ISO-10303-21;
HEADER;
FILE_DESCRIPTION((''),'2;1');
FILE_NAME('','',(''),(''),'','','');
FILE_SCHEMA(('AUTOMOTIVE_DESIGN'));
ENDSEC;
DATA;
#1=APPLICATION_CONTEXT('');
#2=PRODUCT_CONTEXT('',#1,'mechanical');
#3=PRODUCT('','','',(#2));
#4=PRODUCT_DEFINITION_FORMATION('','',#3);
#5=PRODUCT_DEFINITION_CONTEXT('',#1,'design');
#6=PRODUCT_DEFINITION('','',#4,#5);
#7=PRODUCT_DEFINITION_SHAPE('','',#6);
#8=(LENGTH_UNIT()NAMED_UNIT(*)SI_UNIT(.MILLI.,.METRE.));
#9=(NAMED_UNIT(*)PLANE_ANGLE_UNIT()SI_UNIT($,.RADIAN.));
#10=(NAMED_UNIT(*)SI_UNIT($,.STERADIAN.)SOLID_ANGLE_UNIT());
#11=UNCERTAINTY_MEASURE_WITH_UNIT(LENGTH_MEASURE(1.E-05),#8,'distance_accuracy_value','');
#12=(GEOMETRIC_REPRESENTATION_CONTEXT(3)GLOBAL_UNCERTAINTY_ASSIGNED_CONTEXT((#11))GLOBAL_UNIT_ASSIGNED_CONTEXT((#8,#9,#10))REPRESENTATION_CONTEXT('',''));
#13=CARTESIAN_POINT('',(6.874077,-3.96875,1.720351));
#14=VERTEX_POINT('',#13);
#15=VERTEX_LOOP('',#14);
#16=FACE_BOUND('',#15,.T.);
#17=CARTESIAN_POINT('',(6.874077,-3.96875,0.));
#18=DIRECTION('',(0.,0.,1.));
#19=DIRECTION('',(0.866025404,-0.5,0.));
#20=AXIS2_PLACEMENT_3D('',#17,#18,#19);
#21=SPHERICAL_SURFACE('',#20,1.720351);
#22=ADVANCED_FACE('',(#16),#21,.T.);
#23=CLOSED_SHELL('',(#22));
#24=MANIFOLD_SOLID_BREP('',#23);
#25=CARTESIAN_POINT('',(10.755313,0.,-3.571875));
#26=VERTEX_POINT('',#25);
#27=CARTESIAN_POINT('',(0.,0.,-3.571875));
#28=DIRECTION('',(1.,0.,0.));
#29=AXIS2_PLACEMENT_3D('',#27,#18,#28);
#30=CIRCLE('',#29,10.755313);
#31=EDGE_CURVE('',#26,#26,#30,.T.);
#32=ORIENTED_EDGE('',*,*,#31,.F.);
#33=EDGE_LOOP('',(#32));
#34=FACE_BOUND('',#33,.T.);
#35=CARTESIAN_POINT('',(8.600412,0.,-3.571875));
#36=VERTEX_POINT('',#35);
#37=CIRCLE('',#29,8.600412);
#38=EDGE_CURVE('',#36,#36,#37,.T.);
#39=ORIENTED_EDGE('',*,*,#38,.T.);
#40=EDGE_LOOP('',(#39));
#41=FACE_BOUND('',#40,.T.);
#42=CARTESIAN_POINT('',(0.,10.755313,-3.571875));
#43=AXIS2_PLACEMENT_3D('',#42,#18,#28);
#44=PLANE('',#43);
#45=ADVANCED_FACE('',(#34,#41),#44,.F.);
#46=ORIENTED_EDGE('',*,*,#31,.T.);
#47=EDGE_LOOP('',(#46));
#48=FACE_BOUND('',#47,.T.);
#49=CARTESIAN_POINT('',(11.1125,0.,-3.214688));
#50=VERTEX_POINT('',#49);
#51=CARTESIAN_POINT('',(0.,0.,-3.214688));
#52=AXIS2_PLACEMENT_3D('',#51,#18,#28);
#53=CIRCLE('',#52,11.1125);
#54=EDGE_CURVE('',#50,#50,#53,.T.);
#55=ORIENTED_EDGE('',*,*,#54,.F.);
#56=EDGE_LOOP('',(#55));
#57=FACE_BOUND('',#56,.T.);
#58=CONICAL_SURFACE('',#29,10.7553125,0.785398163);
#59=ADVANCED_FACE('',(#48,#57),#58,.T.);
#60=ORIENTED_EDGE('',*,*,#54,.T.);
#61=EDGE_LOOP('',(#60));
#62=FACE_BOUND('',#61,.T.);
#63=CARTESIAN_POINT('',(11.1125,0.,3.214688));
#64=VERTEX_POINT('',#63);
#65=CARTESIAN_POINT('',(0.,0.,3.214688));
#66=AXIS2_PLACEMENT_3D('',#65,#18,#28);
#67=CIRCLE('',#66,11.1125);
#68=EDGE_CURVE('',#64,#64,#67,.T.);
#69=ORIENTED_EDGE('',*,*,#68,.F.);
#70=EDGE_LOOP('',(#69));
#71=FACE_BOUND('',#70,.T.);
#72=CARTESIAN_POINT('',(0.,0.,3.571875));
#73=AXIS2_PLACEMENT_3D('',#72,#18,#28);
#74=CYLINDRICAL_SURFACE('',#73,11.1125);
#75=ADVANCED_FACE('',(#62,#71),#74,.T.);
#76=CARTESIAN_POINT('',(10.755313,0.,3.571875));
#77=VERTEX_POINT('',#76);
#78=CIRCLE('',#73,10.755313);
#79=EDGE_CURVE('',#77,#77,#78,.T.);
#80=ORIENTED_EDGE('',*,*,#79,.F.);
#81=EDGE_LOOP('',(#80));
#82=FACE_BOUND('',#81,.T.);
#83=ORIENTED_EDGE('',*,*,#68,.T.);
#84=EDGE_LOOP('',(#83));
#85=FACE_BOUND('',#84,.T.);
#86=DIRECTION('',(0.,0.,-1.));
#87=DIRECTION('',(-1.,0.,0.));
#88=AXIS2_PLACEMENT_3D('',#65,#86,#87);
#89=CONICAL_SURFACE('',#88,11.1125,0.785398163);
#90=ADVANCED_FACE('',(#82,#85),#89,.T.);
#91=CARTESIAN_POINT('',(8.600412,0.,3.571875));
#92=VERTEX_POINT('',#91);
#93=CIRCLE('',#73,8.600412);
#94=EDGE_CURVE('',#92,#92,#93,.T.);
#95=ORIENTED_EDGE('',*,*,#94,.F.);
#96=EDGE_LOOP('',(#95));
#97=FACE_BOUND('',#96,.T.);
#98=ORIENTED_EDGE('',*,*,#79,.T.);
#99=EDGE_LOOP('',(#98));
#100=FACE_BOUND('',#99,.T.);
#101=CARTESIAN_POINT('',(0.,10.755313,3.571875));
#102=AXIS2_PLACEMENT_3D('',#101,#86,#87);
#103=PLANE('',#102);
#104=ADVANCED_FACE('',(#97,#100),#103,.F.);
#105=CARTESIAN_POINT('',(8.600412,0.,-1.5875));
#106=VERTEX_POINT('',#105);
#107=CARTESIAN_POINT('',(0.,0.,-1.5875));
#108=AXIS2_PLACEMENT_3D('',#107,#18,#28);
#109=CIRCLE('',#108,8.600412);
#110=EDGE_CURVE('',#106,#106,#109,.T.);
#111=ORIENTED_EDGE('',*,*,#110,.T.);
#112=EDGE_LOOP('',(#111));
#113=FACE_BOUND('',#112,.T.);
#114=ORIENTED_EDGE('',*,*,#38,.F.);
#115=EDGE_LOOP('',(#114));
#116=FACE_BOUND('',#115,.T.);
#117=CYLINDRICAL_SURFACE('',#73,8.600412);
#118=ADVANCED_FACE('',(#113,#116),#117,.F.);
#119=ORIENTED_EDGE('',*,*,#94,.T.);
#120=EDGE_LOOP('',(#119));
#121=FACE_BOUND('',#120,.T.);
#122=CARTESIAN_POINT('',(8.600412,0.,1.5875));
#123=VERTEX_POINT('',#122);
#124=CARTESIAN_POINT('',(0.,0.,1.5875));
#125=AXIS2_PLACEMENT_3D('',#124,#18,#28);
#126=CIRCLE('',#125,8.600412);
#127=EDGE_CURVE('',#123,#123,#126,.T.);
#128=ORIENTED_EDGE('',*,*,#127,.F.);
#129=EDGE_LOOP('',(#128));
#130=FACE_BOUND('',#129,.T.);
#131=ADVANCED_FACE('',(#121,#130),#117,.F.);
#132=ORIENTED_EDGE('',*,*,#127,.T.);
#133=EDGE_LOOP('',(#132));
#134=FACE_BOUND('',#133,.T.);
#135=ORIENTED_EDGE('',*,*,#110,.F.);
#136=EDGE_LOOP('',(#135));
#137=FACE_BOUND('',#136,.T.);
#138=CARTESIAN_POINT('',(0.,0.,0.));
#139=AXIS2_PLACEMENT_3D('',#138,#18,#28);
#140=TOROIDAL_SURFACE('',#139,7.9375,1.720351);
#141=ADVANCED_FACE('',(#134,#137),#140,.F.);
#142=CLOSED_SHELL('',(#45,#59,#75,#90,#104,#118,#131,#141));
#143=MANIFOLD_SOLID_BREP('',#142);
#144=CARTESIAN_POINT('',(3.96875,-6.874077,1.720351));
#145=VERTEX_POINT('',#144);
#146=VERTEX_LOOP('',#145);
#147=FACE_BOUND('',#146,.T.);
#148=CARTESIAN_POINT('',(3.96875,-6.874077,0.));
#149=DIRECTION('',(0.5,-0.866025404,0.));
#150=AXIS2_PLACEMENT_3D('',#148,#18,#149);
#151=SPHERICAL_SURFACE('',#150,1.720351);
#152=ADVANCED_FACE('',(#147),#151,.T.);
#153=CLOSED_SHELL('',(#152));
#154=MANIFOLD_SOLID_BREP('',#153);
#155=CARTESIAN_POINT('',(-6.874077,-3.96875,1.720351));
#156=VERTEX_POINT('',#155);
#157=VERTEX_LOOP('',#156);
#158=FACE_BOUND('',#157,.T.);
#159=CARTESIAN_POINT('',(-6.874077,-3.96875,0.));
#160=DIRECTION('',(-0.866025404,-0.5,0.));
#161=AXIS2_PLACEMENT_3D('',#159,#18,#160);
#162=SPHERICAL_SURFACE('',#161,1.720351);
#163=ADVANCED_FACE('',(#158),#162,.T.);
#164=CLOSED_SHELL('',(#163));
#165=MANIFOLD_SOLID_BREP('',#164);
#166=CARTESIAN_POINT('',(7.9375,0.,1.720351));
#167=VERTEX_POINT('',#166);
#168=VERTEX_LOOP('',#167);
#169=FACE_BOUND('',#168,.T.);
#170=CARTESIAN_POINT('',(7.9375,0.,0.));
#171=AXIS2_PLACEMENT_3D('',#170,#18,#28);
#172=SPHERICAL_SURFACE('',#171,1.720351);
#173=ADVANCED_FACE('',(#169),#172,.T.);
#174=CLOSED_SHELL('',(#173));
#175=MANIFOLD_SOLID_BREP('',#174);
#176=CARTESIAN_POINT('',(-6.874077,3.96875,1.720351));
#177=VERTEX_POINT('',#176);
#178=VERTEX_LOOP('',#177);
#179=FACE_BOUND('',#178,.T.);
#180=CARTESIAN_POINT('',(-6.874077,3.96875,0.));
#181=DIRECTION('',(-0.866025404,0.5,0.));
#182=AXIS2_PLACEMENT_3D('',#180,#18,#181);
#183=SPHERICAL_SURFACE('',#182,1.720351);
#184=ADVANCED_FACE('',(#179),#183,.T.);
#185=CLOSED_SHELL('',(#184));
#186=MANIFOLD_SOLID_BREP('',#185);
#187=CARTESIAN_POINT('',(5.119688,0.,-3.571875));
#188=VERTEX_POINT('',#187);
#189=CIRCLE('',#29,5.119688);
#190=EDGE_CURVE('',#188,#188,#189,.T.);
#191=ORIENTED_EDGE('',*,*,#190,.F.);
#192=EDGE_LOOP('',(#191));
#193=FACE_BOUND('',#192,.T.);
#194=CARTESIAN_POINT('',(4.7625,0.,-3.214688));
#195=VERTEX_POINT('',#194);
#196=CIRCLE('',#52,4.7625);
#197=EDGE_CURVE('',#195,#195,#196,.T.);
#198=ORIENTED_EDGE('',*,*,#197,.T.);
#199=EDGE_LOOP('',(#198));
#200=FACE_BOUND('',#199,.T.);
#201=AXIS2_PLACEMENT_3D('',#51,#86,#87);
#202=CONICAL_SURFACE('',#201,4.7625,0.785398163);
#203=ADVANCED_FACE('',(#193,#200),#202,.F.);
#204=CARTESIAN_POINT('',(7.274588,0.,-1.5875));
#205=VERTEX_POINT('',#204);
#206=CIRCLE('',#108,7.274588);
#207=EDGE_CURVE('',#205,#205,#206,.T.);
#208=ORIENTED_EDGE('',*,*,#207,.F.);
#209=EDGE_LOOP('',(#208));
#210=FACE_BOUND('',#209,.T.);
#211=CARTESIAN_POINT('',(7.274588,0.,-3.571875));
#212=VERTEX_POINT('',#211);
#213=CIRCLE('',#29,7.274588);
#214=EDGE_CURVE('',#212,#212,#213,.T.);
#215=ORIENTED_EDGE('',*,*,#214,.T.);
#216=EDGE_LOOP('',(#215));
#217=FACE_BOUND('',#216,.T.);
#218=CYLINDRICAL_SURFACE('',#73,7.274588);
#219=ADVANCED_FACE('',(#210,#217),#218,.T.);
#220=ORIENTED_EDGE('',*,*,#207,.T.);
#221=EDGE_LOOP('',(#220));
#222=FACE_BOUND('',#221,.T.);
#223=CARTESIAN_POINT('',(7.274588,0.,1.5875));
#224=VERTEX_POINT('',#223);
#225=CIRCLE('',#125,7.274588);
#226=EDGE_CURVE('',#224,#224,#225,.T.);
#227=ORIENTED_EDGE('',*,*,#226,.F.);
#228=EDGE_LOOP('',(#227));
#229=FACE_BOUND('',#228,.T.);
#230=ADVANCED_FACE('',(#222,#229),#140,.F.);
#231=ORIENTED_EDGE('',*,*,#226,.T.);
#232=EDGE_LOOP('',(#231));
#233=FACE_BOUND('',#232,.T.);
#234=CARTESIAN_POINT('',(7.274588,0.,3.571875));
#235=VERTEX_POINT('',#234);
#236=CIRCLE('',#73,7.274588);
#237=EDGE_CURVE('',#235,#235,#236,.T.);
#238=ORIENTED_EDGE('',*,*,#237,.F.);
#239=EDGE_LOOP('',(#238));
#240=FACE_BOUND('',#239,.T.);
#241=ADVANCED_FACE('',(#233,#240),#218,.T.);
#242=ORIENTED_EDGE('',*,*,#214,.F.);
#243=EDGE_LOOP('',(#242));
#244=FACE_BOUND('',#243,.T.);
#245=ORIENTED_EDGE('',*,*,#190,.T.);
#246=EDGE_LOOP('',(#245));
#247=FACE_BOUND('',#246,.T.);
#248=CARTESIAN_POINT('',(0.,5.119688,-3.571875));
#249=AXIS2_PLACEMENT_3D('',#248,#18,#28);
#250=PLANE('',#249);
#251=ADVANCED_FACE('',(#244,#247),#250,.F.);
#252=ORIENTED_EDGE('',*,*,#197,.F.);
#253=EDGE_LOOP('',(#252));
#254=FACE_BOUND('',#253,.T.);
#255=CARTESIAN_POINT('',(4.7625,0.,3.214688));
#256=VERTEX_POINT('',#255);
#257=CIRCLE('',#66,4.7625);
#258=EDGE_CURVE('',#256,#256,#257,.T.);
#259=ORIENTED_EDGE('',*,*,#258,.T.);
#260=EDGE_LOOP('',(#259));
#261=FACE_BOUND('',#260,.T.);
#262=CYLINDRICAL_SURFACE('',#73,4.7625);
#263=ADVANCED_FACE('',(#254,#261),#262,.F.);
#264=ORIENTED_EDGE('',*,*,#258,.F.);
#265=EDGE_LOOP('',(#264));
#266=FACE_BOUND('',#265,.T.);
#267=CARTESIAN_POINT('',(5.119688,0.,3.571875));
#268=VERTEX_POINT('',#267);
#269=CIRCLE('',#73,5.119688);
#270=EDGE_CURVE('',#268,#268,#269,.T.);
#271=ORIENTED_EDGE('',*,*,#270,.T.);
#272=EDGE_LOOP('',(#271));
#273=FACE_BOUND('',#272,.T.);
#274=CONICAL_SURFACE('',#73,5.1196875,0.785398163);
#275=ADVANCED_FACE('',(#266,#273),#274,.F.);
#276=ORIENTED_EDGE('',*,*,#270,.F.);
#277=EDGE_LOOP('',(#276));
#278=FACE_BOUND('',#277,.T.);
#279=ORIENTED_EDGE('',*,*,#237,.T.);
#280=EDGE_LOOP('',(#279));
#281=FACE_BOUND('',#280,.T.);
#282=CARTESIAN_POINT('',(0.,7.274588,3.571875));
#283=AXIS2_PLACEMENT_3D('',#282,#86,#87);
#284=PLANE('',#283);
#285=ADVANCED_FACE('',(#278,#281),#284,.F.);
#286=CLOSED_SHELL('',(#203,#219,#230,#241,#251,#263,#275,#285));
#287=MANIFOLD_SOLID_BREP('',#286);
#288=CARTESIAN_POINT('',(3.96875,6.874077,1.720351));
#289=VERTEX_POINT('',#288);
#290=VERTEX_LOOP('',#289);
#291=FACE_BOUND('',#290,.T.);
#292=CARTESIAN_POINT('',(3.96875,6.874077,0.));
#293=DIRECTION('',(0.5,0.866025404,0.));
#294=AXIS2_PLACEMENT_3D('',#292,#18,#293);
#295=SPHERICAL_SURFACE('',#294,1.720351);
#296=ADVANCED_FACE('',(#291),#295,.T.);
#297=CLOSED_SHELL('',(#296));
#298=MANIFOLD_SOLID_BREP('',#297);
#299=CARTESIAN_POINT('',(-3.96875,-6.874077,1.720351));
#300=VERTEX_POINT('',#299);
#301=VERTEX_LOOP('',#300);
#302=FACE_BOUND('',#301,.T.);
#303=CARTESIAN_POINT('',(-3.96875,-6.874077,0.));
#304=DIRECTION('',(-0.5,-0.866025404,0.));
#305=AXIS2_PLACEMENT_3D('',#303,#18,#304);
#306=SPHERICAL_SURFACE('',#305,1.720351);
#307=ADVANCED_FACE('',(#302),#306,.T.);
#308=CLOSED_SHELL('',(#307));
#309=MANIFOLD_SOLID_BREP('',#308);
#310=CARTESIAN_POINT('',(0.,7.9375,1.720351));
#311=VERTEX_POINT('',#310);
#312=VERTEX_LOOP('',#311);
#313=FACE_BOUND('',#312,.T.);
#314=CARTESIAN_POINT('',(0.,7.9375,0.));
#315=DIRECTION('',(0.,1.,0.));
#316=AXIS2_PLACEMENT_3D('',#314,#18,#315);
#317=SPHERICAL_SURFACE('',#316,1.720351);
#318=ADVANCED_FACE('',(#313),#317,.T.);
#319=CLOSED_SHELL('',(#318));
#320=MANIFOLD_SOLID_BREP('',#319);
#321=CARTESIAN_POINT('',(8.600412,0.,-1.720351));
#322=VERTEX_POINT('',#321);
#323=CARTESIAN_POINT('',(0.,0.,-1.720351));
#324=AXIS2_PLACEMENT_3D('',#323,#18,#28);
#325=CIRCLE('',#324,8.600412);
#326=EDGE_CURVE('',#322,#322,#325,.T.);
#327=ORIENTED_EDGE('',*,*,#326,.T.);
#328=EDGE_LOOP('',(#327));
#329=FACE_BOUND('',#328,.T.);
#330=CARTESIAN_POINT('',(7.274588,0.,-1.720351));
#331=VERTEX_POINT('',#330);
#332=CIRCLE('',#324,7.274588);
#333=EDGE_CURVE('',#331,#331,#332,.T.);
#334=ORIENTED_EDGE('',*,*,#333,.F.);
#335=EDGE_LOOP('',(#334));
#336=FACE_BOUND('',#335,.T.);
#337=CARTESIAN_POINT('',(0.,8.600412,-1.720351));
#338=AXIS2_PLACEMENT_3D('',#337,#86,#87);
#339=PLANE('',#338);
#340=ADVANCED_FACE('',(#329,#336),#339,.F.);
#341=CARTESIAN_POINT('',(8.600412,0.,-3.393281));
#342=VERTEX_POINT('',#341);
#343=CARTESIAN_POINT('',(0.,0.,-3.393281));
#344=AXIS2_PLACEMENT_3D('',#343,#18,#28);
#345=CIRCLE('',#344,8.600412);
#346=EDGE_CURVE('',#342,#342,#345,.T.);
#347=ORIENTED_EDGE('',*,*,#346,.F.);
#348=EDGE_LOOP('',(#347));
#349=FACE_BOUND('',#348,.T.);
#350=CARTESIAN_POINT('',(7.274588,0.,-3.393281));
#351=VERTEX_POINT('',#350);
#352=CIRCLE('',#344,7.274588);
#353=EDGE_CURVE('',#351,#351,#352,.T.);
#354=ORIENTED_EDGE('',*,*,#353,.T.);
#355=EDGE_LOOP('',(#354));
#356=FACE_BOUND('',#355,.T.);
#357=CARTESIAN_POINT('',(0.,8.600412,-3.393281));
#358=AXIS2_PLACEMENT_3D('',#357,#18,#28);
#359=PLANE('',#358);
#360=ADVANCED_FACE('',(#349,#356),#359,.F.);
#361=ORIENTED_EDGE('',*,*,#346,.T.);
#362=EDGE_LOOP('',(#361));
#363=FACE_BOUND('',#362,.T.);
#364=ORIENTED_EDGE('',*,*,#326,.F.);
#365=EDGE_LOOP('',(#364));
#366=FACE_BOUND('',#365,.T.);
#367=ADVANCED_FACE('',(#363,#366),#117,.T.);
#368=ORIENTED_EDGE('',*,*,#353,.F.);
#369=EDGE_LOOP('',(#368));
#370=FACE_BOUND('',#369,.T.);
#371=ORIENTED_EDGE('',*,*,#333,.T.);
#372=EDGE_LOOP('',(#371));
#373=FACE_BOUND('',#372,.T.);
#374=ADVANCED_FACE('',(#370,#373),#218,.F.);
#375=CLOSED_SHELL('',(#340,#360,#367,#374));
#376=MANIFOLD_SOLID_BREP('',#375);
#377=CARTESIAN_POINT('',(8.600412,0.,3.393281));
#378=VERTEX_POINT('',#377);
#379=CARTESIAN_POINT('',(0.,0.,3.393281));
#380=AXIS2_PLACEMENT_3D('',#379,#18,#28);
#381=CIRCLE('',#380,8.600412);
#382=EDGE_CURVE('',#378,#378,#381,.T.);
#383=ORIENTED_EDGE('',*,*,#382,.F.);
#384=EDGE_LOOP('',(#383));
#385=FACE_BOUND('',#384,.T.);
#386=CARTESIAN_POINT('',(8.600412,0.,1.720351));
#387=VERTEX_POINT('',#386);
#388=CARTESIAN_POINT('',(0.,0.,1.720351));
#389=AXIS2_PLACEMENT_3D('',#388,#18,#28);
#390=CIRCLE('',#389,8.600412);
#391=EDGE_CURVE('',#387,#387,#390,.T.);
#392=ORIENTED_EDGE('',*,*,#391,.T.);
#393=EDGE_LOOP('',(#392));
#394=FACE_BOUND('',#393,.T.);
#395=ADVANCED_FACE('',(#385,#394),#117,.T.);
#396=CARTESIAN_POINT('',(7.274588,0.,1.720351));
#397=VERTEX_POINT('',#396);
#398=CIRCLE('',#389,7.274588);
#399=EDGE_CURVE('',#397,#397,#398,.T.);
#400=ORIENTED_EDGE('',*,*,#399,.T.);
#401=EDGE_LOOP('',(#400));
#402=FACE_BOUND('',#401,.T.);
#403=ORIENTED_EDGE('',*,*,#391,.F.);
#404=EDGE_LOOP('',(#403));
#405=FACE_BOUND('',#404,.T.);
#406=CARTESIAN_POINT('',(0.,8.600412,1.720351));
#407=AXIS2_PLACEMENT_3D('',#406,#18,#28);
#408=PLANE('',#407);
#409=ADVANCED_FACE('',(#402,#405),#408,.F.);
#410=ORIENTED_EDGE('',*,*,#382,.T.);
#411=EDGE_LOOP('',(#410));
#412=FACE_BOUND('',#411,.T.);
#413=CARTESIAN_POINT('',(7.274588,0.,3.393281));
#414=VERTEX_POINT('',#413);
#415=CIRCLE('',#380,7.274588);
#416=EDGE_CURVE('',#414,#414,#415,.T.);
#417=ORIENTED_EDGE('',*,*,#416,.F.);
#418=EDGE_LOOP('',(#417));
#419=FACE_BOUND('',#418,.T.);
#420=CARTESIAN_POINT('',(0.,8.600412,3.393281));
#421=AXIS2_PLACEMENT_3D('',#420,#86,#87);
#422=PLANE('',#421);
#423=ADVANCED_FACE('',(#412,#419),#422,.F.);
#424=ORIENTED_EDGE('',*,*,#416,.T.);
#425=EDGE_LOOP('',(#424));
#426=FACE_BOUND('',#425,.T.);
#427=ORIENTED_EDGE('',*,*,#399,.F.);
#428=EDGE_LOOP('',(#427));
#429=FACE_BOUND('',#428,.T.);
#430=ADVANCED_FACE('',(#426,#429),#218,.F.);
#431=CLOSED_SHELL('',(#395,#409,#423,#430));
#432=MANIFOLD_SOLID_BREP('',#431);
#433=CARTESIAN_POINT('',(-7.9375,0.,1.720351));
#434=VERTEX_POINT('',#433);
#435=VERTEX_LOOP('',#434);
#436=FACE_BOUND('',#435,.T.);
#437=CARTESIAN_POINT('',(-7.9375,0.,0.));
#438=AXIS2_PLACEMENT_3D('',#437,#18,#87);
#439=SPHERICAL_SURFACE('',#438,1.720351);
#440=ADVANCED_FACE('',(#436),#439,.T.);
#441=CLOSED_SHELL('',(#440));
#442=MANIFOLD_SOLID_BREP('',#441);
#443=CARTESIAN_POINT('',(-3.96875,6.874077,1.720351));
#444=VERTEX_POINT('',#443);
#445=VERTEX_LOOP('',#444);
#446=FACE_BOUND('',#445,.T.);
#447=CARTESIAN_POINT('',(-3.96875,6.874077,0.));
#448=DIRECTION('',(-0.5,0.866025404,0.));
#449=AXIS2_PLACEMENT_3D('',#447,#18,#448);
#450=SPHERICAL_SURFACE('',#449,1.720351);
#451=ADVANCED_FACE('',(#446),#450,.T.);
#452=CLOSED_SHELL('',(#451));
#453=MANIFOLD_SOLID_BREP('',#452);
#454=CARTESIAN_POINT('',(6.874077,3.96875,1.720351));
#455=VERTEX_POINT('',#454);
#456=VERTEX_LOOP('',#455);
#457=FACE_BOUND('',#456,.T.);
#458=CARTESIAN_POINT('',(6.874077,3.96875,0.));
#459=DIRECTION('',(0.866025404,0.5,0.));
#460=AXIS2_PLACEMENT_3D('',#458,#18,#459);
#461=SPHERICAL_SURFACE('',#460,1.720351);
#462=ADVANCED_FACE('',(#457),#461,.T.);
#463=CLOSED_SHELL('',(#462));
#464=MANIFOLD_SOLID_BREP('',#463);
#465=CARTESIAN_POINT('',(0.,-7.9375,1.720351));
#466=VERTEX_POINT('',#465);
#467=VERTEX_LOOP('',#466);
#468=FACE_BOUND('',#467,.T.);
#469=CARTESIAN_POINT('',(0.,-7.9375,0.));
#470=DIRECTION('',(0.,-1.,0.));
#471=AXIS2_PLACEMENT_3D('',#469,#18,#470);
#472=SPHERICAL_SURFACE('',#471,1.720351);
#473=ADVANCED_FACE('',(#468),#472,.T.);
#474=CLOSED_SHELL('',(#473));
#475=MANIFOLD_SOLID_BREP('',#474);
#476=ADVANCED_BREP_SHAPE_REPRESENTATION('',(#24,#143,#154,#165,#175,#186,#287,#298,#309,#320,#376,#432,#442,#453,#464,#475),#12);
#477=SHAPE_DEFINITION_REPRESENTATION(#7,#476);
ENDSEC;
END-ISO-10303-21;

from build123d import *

# Parameters (mm, degrees)
CIRPATTERN1_COUNT = 12
SKETCH5_W         = 1.672929924
SKETCH5_H         = 1.325824176


with BuildPart() as part:
    # Sketch1 → Revolve1 (revolve)
    with BuildSketch(Plane(origin=(0, 0, 0), x_dir=(0, 0, -1), z_dir=(1, 0, 0))):
        with BuildLine():
            Line((3.2146875, 11.1125), (-3.2146875, 11.1125))
            Line((-3.2146875, 11.1125), (-3.571875, 10.7553125))
            Line((-3.571875, 10.7553125), (-3.571875, 8.600412088))
            Line((-3.571875, 8.600412088), (-1.5875, 8.600412088))
            ThreePointArc((-1.5875, 8.600412088), (0, 9.657851326), (1.5875, 8.600412088))
            Line((1.5875, 8.600412088), (3.571875, 8.600412088))
            Line((3.571875, 8.600412088), (3.571875, 10.7553125))
            Line((3.571875, 10.7553125), (3.2146875, 11.1125))
        make_face()
    revolve(axis=Axis((0, 0, 3.571875), (0, 0, -1)))


with BuildPart() as body_2:
    # Sketch3 → Revolve3 (revolve)
    with BuildSketch(Plane(origin=(0, 0, 0), x_dir=(0, 0, -1), z_dir=(1, 0, 0))):
        with BuildLine():
            Line((-3.571875, 7.274587912), (-1.5875, 7.274587912))
            ThreePointArc((-1.5875, 7.274587912), (0, 6.217148674), (1.5875, 7.274587912))
            Line((1.5875, 7.274587912), (3.571875, 7.274587912))
            Line((3.571875, 7.274587912), (3.571875, 5.1196875))
            Line((3.571875, 5.1196875), (3.2146875, 4.7625))
            Line((3.2146875, 4.7625), (-3.2146875, 4.7625))
            Line((-3.2146875, 4.7625), (-3.571875, 5.1196875))
            Line((-3.571875, 5.1196875), (-3.571875, 7.274587912))
        make_face()
    revolve(axis=Axis((0, 0, 3.571875), (0, 0, -1)))


with BuildPart() as body_3:
    # Sketch4 → Revolve4 (revolve)
    with BuildSketch(Plane(origin=(0, 0, 0), x_dir=(0, 0, -1), z_dir=(1, 0, 0))):
        with BuildLine():
            Line((-1.720351326, 7.9375), (1.720351326, 7.9375))
            ThreePointArc((1.720351326, 7.9375), (0, 9.657851326), (-1.720351326, 7.9375))
        make_face()
    revolve(axis=Axis((0, 7.9375, 1.720351326), (0, 0, -1)))


with BuildPart() as cirpattern1_1:
    # CirPattern1: pattern copy
    add(body_3.part.rotate(Axis((0, 0, -3.571875), (0, 0, 1)), 1 * 360 / CIRPATTERN1_COUNT))


with BuildPart() as cirpattern1_2:
    # CirPattern1: pattern copy
    add(body_3.part.rotate(Axis((0, 0, -3.571875), (0, 0, 1)), 2 * 360 / CIRPATTERN1_COUNT))


with BuildPart() as cirpattern1_3:
    # CirPattern1: pattern copy
    add(body_3.part.rotate(Axis((0, 0, -3.571875), (0, 0, 1)), 3 * 360 / CIRPATTERN1_COUNT))


with BuildPart() as cirpattern1_4:
    # CirPattern1: pattern copy
    add(body_3.part.rotate(Axis((0, 0, -3.571875), (0, 0, 1)), 4 * 360 / CIRPATTERN1_COUNT))


with BuildPart() as cirpattern1_5:
    # CirPattern1: pattern copy
    add(body_3.part.rotate(Axis((0, 0, -3.571875), (0, 0, 1)), 5 * 360 / CIRPATTERN1_COUNT))


with BuildPart() as cirpattern1_6:
    # CirPattern1: pattern copy
    add(body_3.part.rotate(Axis((0, 0, -3.571875), (0, 0, 1)), 6 * 360 / CIRPATTERN1_COUNT))


with BuildPart() as cirpattern1_7:
    # CirPattern1: pattern copy
    add(body_3.part.rotate(Axis((0, 0, -3.571875), (0, 0, 1)), 7 * 360 / CIRPATTERN1_COUNT))


with BuildPart() as cirpattern1_8:
    # CirPattern1: pattern copy
    add(body_3.part.rotate(Axis((0, 0, -3.571875), (0, 0, 1)), 8 * 360 / CIRPATTERN1_COUNT))


with BuildPart() as cirpattern1_9:
    # CirPattern1: pattern copy
    add(body_3.part.rotate(Axis((0, 0, -3.571875), (0, 0, 1)), 9 * 360 / CIRPATTERN1_COUNT))


with BuildPart() as cirpattern1_10:
    # CirPattern1: pattern copy
    add(body_3.part.rotate(Axis((0, 0, -3.571875), (0, 0, 1)), 10 * 360 / CIRPATTERN1_COUNT))


with BuildPart() as cirpattern1_11:
    # CirPattern1: pattern copy
    add(body_3.part.rotate(Axis((0, 0, -3.571875), (0, 0, 1)), 11 * 360 / CIRPATTERN1_COUNT))


with BuildPart() as body_15:
    # Sketch5 → Revolve5 (revolve)
    with BuildSketch(Plane(origin=(0, 0, 0), x_dir=(0, 0, -1), z_dir=(1, 0, 0))):
        with Locations((-2.556816288, 7.9375)):
            Rectangle(SKETCH5_W, SKETCH5_H)
        with Locations((2.556816288, 7.9375)):
            Rectangle(SKETCH5_W, SKETCH5_H)
    revolve(axis=Axis((0, 0, 3.571875), (0, 0, -1)))


solid = Compound([part.part, body_2.part, body_3.part, cirpattern1_1.part, cirpattern1_2.part, cirpattern1_3.part, cirpattern1_4.part, cirpattern1_5.part, cirpattern1_6.part, cirpattern1_7.part, cirpattern1_8.part, cirpattern1_9.part, cirpattern1_10.part, cirpattern1_11.part, body_15.part])
